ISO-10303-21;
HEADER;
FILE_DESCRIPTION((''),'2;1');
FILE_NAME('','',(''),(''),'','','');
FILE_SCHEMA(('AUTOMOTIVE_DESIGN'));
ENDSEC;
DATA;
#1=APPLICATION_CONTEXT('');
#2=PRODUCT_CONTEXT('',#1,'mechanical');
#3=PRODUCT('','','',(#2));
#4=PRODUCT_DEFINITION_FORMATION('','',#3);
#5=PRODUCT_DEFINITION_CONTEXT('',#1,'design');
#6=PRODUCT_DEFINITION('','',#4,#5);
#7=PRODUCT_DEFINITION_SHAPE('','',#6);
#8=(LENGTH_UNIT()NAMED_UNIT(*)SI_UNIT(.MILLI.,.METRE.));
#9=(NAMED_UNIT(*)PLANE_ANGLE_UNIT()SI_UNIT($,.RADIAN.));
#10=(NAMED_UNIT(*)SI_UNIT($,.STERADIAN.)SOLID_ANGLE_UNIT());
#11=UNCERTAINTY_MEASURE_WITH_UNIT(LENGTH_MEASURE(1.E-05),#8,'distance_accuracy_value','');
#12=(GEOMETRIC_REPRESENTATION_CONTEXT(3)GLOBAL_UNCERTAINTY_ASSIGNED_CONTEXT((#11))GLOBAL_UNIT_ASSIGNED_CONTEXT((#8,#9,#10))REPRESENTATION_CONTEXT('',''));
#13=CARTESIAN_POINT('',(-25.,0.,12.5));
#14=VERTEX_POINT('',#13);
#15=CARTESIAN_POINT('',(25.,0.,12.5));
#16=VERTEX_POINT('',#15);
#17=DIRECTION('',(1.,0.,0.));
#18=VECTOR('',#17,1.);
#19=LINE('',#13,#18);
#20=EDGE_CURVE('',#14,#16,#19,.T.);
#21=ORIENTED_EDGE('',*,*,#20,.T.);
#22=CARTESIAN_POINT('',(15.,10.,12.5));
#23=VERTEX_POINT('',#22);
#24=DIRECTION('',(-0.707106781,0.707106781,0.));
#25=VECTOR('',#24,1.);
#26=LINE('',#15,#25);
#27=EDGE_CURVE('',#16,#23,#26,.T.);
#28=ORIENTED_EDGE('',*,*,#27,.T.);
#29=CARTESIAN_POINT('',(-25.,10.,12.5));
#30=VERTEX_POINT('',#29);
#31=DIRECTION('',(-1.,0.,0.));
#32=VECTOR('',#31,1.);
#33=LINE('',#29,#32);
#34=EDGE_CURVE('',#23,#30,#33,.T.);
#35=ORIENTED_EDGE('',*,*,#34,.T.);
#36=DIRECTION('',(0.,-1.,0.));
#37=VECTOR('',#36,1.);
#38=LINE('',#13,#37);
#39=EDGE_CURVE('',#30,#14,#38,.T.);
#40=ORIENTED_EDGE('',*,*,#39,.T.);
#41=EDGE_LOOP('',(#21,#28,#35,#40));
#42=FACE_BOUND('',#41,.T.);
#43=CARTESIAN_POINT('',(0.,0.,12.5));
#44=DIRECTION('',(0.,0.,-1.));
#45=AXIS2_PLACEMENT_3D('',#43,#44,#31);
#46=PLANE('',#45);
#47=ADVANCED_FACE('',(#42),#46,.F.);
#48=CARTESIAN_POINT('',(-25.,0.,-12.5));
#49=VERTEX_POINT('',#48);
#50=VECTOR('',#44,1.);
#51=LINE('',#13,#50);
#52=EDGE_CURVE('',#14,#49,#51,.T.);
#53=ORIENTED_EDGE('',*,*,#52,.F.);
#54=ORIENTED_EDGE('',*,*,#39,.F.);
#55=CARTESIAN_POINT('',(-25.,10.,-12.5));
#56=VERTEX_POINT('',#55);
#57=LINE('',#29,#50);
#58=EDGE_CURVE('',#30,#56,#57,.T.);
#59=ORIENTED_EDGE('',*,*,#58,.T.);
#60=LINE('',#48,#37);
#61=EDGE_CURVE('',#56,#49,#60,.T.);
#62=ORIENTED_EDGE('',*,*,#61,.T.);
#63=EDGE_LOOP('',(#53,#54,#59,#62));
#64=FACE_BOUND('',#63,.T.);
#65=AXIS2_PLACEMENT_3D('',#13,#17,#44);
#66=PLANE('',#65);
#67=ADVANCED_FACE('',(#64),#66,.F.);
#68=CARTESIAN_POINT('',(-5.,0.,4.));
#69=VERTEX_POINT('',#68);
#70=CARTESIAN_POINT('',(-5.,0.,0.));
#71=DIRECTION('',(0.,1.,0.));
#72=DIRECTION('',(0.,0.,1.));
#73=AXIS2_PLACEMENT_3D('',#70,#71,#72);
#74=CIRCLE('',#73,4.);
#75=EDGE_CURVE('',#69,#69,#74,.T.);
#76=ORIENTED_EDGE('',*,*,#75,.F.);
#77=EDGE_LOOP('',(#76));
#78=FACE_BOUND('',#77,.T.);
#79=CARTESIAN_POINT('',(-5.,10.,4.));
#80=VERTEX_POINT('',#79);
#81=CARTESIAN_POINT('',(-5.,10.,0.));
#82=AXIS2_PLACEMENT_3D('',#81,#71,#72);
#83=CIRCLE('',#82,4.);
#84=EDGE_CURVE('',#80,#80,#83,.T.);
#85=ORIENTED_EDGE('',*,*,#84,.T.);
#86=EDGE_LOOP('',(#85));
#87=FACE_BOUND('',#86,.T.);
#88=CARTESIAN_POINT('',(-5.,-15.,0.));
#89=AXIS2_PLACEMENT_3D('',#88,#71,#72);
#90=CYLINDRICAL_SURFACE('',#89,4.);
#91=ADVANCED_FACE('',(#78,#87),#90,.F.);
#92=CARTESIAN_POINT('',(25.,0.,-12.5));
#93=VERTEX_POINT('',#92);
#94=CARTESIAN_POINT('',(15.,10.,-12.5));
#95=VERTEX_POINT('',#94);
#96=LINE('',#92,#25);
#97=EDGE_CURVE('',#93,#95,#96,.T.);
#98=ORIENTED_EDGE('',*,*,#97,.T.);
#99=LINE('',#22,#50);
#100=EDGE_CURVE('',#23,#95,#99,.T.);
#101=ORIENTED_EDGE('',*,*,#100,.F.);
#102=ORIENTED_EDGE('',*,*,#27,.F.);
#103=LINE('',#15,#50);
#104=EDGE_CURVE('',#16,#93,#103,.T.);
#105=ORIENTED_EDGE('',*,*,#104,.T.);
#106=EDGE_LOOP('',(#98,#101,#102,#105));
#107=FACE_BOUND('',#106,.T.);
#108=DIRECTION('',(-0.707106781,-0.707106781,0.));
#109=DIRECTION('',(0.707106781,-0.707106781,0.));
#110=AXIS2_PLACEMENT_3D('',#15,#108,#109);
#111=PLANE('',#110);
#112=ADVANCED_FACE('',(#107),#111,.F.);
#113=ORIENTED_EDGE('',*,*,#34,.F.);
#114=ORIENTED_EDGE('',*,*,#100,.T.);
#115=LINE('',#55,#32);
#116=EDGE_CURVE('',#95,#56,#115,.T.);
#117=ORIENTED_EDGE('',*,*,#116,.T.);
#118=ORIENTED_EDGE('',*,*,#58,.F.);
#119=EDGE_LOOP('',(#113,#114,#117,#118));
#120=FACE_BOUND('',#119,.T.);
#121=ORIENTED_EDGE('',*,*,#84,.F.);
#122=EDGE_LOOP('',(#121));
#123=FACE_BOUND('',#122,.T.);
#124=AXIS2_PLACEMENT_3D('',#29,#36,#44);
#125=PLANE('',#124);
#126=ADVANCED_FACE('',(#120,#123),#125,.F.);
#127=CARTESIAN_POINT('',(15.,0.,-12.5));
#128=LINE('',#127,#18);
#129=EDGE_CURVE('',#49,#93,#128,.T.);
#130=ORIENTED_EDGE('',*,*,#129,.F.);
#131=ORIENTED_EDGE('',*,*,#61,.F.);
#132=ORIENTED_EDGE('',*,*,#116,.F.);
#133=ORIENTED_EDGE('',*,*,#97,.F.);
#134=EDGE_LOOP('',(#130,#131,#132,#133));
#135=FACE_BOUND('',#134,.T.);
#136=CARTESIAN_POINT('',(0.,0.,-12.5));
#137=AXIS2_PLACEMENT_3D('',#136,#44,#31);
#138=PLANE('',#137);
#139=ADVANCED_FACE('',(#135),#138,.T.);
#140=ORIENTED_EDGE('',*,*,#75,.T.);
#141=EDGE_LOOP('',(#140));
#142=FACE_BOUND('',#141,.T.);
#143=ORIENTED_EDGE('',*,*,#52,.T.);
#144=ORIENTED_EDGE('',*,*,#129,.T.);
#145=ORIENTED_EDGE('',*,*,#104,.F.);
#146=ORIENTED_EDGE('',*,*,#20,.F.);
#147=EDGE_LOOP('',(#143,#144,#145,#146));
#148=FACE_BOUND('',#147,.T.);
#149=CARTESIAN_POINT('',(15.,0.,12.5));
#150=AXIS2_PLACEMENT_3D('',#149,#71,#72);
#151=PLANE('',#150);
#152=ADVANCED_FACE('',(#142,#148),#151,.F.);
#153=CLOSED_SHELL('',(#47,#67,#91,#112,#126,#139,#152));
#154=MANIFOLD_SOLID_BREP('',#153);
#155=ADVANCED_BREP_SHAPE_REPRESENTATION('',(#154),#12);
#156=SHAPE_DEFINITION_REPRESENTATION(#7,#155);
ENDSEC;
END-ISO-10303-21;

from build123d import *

# Parameters (mm, degrees)
BOSS_EXTRUDE1_DEPTH = 12.5
SKETCH2_R           = 4
CUT_EXTRUDE1_DEPTH  = 25


with BuildPart() as part:
    # Sketch1 → Boss-Extrude1 (new, symmetric)
    with BuildSketch(Plane.XY):
        Polygon((15, 0), (25, 0), (15, 10), (-25, 10), (-25, 0), align=None)
    extrude(amount=BOSS_EXTRUDE1_DEPTH, both=True)

    # Sketch2 → Cut-Extrude1 (cut)
    with BuildSketch(Plane(origin=(0, 10, 0), x_dir=(1, 0, 0), z_dir=(0, 1, 0))):
        with Locations(Location((-5, 0, 0), (0, 0, 270))):
            Circle(SKETCH2_R)
    extrude(amount=-CUT_EXTRUDE1_DEPTH, mode=Mode.SUBTRACT)


solid = part.part
